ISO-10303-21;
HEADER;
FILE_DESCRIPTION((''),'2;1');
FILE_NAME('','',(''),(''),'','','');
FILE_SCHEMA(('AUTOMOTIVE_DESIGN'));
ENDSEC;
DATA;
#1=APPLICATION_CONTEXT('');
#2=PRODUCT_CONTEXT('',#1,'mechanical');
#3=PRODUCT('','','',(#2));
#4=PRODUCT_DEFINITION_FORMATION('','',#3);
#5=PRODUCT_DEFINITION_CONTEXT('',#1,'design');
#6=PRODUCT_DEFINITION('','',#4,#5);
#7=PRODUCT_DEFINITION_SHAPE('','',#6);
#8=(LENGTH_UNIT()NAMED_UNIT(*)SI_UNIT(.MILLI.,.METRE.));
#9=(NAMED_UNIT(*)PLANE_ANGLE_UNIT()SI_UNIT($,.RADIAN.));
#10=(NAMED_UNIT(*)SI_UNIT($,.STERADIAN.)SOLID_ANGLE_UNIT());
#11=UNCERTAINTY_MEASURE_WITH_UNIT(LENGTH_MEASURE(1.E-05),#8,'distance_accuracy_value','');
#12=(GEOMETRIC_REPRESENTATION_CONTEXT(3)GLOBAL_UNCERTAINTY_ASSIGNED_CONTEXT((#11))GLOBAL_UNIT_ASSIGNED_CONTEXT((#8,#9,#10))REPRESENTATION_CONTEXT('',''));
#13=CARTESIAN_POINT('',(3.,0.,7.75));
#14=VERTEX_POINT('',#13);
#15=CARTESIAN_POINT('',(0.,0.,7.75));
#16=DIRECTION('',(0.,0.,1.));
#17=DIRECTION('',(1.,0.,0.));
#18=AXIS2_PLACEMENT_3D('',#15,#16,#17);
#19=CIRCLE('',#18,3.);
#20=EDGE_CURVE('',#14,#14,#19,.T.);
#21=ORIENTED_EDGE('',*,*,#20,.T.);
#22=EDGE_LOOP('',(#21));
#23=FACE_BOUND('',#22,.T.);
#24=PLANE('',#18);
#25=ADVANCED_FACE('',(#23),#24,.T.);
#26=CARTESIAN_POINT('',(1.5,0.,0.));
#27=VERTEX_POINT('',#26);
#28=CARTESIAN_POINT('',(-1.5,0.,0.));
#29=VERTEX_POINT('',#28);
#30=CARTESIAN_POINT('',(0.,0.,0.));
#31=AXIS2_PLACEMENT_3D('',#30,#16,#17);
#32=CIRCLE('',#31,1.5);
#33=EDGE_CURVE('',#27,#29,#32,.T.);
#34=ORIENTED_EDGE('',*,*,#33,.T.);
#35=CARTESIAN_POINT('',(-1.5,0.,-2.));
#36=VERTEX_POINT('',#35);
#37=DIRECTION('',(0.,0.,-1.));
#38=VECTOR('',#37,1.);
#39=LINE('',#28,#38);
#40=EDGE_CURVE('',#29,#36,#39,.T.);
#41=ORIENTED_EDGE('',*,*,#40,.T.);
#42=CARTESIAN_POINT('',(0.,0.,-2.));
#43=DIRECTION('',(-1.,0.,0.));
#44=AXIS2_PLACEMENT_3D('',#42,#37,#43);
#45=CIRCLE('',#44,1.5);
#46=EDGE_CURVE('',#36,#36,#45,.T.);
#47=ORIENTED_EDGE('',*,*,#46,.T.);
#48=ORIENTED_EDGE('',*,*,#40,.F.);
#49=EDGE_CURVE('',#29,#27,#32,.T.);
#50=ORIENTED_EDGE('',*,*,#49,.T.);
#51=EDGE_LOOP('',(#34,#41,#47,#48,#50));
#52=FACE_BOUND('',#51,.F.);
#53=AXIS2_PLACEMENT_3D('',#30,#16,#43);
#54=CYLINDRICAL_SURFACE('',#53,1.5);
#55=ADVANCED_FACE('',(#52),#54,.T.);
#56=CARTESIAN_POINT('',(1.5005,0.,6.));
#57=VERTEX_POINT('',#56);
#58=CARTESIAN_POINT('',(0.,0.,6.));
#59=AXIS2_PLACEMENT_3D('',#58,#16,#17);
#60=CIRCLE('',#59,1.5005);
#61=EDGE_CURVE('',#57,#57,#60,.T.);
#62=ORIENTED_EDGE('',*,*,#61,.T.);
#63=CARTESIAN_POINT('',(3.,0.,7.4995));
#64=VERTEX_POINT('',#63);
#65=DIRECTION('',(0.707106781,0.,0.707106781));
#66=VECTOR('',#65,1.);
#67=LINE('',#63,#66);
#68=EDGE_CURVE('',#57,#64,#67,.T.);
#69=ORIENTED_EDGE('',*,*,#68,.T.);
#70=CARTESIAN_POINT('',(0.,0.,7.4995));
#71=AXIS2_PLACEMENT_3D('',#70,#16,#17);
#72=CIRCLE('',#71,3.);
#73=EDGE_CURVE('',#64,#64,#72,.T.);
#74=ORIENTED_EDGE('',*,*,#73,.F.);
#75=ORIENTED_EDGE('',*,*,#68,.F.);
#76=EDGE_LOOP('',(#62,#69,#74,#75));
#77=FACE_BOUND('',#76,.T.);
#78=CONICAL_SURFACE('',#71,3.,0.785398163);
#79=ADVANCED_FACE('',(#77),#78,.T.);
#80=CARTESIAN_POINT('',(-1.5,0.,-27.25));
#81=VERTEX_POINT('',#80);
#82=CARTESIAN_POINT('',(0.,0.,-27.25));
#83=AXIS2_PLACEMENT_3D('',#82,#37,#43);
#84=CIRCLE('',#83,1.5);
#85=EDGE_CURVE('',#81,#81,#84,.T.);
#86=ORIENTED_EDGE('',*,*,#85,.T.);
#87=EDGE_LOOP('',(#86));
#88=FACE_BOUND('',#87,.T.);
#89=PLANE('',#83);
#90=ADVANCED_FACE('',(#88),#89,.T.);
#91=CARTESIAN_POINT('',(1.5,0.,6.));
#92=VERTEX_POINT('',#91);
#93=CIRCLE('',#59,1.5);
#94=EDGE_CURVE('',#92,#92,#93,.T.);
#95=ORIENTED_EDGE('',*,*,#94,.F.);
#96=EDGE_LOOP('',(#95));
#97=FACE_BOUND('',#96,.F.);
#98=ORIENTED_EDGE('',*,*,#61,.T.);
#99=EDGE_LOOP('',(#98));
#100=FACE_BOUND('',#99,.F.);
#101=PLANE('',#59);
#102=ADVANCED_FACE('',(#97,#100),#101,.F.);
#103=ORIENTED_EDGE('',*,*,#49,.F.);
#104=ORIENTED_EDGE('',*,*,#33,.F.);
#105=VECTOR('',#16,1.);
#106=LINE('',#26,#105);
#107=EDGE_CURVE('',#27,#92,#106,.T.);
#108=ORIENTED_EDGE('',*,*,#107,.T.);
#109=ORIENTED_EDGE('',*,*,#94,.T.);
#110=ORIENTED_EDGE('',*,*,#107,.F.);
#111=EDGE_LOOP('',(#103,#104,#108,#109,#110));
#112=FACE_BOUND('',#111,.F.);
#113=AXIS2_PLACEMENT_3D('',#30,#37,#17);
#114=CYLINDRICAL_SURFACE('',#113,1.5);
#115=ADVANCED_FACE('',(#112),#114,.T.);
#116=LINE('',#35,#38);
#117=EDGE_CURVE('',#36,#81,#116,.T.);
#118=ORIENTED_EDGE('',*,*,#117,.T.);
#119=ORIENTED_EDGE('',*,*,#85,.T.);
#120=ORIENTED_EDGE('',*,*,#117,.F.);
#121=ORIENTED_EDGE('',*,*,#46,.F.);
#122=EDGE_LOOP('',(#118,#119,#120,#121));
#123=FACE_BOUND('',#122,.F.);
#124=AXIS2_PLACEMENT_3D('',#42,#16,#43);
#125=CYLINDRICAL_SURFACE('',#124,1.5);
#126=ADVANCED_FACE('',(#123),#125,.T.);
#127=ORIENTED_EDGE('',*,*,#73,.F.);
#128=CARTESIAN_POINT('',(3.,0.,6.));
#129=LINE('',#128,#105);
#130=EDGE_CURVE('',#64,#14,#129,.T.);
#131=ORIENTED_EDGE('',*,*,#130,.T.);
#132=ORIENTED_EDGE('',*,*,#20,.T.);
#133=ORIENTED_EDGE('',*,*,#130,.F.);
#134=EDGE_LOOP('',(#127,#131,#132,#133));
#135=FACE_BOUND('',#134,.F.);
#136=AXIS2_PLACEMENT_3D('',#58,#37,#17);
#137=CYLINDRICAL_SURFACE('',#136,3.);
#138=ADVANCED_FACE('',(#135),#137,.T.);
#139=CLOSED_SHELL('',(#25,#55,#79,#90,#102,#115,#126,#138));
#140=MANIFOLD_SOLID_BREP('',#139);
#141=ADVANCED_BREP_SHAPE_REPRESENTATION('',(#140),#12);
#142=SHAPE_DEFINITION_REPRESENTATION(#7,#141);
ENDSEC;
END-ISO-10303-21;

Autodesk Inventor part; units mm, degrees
ref_plane "YZ Plane" through (0, 0, 0) normal (1, 0, 0) x (0, 1, 0)
ref_plane "XZ Plane" through (0, 0, 0) normal (0, 1, 0) x (-1, 0, 0)
ref_plane "XY Plane" through (0, 0, 0) normal (0, 0, 1) x (1, 0, 0)
sketch "スケッチ1" plane through (0, 0, 0) normal (0, 0, 1) x (1, 0, 0)
  circle A0 centre (0, 0) radius 1.5
  dimension "d0" = 3
extrude "押し出し1" add sketch "スケッチ1" along normal blind 6
sketch "スケッチ2" plane through (0, 0, 6) normal (0, 0, 1) x (1, 0, 0)
  circle A0 centre (0, 0) radius 1.5 projected
  circle A1 centre (0, 0) radius 3
  dimension "d3" = 6
extrude "押し出し2" add sketch "スケッチ2" along normal blind 1.75 contours A0 | A1
thread "ねじ1" size "M3x0.5" class "6g" standard "ANSI Metric M Profile" full length
chamfer "面取り1" distance 1.5 angle 45 1 edges at (-3, 0, 6)
sketch "スケッチ4" plane through (0, 0, 0) normal (0, 0, -1) x (-1, 0, 0)
  circle A0 centre (0, 0) radius 1.5 projected
extrude "押し出し4" add sketch "スケッチ4" along normal blind 4
sketch "スケッチ5" plane through (0, 0, -4) normal (0, 0, -1) x (-1, 0, 0)
  circle A0 centre (0, 0) radius 1.5 projected
extrude "押し出し5" cut sketch "スケッチ5" against normal blind 2
sketch "スケッチ6" plane through (0, 0, -2) normal (0, 0, -1) x (-1, 0, 0)
  circle A0 centre (0, 0) radius 1.5 projected
extrude "押し出し6" add sketch "スケッチ6" along normal blind 25.25
properties part number "SB　35mm皿ネジ" material "Steel, Mild"
